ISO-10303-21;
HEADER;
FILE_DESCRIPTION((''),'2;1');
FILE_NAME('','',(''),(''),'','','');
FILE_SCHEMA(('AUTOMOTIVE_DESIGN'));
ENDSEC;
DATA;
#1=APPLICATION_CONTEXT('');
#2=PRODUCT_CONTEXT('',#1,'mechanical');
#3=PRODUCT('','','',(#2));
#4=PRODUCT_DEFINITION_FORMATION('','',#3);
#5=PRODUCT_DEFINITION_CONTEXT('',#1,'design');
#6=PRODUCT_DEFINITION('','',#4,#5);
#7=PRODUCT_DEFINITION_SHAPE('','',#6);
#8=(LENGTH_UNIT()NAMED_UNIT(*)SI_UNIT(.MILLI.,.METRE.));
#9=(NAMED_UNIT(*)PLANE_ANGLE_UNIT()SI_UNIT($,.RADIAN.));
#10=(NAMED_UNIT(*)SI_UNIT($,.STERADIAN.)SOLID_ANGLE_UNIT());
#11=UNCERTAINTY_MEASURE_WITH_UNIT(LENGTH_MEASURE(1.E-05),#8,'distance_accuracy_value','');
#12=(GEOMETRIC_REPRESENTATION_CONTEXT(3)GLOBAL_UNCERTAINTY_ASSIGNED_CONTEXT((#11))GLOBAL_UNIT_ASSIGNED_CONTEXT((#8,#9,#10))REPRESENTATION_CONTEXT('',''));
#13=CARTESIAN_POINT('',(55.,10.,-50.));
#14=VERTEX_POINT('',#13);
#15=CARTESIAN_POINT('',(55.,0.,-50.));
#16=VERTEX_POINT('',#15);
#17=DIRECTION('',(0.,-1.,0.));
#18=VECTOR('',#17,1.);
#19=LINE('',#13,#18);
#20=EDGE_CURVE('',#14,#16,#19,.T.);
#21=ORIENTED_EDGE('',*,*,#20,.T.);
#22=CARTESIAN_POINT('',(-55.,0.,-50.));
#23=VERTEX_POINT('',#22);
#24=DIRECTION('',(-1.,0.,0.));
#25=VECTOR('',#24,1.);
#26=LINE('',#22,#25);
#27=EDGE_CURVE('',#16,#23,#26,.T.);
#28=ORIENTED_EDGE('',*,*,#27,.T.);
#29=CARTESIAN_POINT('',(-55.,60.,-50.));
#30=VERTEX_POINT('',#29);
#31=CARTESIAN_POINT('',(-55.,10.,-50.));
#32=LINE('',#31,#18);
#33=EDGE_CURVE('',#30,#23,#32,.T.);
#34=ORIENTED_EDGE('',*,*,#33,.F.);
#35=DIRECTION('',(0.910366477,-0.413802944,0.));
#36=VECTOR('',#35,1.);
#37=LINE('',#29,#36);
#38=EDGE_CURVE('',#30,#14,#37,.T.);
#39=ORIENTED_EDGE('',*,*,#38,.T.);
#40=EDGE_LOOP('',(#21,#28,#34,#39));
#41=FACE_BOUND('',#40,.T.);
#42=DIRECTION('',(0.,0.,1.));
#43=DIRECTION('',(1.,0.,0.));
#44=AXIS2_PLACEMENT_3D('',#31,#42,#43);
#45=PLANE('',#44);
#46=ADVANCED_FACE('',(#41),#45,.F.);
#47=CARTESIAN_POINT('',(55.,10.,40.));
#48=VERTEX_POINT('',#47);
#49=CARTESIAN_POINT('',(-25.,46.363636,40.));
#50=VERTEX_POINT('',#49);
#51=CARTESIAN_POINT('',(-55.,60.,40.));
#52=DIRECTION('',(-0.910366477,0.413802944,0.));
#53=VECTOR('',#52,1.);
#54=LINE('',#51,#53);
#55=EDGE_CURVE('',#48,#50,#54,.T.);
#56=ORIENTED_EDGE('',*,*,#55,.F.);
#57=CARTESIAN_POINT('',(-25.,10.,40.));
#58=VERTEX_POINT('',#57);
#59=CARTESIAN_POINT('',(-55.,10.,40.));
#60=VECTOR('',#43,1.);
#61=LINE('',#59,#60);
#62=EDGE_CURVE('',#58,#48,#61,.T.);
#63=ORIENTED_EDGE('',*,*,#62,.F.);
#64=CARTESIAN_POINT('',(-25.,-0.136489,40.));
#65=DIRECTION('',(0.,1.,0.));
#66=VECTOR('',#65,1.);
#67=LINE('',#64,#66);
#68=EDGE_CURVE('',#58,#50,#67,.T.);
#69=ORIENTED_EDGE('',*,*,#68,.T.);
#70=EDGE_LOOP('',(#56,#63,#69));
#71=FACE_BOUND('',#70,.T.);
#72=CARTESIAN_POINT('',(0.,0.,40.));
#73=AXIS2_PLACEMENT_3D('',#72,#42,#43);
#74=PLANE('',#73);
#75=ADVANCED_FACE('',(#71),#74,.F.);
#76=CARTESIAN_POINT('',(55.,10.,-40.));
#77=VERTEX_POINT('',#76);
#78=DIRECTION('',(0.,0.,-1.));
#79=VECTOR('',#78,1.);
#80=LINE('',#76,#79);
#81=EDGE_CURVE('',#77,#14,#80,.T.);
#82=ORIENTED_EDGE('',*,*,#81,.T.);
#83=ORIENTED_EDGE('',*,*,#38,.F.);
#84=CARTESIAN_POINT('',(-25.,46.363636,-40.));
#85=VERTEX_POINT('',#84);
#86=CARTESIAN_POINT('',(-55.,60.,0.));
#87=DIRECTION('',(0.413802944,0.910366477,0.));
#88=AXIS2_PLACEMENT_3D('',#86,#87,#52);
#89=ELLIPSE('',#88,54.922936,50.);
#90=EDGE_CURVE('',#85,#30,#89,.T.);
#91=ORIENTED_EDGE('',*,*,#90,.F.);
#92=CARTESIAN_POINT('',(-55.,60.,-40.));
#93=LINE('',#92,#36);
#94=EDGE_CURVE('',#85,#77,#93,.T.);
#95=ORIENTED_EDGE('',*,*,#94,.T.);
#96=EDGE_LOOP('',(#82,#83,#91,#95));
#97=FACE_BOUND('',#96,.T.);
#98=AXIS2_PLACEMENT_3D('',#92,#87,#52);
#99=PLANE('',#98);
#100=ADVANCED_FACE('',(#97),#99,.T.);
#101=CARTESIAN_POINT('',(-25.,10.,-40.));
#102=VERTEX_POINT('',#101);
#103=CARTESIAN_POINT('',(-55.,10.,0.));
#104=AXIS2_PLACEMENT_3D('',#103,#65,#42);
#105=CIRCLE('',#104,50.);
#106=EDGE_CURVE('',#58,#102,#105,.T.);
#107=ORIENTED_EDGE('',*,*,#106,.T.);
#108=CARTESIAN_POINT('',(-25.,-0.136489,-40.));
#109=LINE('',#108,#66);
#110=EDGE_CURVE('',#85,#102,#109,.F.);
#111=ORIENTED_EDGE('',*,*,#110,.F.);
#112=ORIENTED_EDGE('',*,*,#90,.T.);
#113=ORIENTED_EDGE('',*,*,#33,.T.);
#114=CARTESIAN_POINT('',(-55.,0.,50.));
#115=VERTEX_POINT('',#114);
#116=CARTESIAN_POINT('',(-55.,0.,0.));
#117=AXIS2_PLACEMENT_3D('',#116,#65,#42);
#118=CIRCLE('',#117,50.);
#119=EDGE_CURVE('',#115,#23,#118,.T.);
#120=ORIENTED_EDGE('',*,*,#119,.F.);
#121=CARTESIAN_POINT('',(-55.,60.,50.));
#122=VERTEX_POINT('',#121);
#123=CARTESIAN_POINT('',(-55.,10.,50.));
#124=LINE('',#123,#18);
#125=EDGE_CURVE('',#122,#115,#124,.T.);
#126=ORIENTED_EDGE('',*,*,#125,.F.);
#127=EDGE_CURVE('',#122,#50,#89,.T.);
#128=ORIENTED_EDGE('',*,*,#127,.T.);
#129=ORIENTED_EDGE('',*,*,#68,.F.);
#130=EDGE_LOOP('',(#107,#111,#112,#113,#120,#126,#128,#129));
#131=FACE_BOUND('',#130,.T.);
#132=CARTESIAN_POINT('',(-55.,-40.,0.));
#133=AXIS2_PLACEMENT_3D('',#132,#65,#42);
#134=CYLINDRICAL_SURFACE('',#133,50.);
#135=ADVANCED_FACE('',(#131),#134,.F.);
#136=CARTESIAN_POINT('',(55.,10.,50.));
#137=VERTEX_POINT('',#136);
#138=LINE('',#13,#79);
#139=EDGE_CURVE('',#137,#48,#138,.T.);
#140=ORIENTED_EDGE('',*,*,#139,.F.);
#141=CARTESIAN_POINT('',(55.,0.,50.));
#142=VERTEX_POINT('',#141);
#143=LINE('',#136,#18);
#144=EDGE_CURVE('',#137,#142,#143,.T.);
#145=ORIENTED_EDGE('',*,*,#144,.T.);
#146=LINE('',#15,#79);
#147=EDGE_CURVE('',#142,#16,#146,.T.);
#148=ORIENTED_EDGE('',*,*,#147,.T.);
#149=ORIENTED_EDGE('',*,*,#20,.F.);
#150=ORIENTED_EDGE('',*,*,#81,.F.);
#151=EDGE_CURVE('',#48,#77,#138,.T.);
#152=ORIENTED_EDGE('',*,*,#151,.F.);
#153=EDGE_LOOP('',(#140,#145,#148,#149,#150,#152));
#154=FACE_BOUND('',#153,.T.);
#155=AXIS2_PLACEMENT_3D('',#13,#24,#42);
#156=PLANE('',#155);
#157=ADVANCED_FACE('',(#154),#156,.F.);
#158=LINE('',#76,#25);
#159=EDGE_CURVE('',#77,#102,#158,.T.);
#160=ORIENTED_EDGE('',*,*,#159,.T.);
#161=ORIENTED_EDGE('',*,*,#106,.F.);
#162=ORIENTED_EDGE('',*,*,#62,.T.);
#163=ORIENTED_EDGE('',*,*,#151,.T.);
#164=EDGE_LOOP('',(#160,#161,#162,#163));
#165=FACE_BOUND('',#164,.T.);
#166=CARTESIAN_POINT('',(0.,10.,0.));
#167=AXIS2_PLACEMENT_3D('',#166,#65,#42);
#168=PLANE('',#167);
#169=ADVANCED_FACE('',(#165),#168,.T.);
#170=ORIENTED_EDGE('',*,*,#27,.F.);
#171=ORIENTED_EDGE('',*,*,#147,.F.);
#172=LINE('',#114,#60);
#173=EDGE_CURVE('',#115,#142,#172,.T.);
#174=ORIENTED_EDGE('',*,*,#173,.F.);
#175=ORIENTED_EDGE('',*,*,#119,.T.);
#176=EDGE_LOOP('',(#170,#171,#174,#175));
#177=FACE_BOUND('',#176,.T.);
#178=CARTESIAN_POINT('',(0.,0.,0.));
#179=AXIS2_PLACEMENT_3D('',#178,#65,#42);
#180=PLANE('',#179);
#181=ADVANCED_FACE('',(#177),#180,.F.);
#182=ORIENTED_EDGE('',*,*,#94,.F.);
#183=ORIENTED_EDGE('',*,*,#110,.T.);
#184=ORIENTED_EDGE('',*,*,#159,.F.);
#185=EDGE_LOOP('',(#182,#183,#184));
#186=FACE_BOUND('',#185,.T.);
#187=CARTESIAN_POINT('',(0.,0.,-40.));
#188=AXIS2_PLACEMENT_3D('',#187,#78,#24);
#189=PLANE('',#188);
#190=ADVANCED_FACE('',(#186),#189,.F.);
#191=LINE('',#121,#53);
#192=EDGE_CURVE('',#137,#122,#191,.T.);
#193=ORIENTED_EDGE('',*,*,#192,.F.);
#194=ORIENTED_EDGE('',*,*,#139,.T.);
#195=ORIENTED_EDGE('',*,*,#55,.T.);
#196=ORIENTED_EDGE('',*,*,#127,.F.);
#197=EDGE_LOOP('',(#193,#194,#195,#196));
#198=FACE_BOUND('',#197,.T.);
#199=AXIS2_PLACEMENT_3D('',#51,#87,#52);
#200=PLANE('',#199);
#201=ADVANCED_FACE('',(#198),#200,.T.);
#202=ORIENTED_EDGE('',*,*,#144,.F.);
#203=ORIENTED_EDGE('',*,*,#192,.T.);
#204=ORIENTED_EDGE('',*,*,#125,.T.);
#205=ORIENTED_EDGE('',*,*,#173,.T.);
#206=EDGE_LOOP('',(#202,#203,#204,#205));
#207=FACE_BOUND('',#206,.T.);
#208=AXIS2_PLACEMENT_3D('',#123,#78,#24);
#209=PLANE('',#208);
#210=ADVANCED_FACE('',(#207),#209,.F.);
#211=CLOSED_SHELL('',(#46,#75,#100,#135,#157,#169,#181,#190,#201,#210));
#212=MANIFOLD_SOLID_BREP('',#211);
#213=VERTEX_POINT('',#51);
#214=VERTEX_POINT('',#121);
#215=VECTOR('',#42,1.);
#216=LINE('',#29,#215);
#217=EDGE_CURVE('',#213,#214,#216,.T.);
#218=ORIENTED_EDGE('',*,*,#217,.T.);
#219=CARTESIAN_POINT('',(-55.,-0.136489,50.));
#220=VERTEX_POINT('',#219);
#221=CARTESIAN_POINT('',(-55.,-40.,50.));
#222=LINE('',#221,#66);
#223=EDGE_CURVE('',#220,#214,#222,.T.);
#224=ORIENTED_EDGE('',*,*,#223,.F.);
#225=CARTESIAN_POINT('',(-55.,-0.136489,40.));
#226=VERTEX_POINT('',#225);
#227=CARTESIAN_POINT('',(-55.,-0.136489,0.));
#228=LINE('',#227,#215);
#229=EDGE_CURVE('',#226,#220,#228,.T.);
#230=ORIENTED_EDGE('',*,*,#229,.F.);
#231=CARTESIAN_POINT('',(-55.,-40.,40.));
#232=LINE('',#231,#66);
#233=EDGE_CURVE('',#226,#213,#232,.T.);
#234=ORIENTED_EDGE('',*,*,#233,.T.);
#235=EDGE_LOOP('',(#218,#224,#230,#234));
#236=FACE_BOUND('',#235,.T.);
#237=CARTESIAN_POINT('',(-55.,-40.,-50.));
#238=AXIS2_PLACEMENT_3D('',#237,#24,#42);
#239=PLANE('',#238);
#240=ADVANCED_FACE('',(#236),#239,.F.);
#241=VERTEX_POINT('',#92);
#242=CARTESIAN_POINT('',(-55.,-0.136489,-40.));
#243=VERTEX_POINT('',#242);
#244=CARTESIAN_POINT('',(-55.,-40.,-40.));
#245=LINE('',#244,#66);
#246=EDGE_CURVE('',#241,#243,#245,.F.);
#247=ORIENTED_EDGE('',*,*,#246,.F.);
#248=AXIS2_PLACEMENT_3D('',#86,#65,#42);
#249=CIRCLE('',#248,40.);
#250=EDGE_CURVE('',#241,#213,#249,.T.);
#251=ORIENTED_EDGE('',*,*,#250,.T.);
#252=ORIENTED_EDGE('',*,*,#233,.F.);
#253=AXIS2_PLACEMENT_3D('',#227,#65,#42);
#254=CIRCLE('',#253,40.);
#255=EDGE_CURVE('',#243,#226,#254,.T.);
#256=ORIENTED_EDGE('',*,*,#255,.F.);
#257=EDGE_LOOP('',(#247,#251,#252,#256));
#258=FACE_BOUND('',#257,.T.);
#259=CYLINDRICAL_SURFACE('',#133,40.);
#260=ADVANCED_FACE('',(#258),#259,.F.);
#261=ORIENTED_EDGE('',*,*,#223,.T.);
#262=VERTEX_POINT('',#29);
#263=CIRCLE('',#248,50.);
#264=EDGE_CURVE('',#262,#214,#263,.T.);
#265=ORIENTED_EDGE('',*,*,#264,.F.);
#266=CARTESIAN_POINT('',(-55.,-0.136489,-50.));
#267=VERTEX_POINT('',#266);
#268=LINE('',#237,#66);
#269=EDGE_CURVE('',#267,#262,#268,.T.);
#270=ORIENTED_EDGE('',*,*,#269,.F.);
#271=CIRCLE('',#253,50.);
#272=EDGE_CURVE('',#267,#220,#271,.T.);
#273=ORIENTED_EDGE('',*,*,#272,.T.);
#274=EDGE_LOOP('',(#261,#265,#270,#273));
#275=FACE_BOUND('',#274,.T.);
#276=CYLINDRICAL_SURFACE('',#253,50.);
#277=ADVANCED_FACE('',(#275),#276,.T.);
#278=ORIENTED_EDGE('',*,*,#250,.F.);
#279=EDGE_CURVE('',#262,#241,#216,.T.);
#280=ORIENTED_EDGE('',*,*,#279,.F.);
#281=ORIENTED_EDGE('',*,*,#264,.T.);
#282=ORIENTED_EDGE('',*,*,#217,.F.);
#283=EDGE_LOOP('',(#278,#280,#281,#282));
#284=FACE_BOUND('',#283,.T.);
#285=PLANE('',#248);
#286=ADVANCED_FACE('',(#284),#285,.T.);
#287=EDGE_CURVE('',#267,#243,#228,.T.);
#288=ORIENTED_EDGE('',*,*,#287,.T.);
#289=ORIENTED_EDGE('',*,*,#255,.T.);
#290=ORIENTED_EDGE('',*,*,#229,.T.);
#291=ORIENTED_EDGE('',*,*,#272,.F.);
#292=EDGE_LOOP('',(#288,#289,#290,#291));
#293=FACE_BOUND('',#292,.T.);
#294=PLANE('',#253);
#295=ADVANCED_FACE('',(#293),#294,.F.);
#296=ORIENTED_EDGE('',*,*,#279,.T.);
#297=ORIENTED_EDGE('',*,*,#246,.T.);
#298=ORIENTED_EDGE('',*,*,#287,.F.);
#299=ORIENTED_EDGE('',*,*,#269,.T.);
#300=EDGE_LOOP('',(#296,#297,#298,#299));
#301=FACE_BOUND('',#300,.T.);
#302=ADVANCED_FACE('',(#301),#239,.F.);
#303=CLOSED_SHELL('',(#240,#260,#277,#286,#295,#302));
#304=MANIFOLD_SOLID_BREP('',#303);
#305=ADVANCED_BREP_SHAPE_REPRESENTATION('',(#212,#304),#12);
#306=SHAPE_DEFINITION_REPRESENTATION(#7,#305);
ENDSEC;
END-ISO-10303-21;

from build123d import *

# Parameters (mm, degrees)
SKETCH2_W                = 110
SKETCH2_H                = 100
BOSS_EXTRUDE1_DEPTH      = 10
BOSS_EXTRUDE2_DEPTH      = 10
BOSS_EXTRUDE3_DEPTH      = 10
BOSS_EXTRUDE4_DEPTH      = 50
BOSS_EXTRUDE4_DEPTH_BACK = 10.136488762
SKETCH5_R                = 50
CUT_EXTRUDE3_DEPTH       = 100
CUT_EXTRUDE4_DEPTH       = 100


with BuildPart() as part:
    # Sketch2 → Boss-Extrude1 (new body)
    with BuildSketch(Plane(origin=(0, 0, 0), x_dir=(1, 0, 0), z_dir=(0, 1, 0))):
        Rectangle(SKETCH2_W, SKETCH2_H)
    extrude(amount=BOSS_EXTRUDE1_DEPTH)

    # Sketch3 → Boss-Extrude2 (add)
    with BuildSketch(Plane.XY.offset(50)):
        Polygon((-55, 10), (-55, 60), (55, 10), align=None)
    extrude(amount=-BOSS_EXTRUDE2_DEPTH)

    # Sketch4 → Boss-Extrude3 (add)
    with BuildSketch(Plane(origin=(0, 0, -50), x_dir=(-1, 0, 0), z_dir=(0, 0, -1))):
        Polygon((55, 10), (55, 60), (-55, 10), align=None)
    extrude(amount=-BOSS_EXTRUDE3_DEPTH)

    # Sketch5 → Boss-Extrude4 (add, two sides: drawn at the far end of the back side and taken through both)
    with BuildSketch(Plane(origin=(0, 10, 0), x_dir=(1, 0, 0), z_dir=(0, 1, 0)).offset(-BOSS_EXTRUDE4_DEPTH_BACK)):
        with Locations(Location((-55, 0, 0), (0, 0, 270))):
            Circle(SKETCH5_R)
    extrude(amount=BOSS_EXTRUDE4_DEPTH + BOSS_EXTRUDE4_DEPTH_BACK)

    # Sketch6 → Cut-Extrude3 (cut)
    with BuildSketch(Plane(origin=(0, 60, 0), x_dir=(1, 0, 0), z_dir=(0, 1, 0))):
        with BuildLine():
            Line((-55, 50), (-55, -50))
            ThreePointArc((-55, -50), (-5, 0), (-55, 50))
        make_face()
    extrude(amount=-CUT_EXTRUDE3_DEPTH, mode=Mode.SUBTRACT)


with BuildPart() as cut_extrude3_piece_1:
    # of the separate pieces the step leaves, piece 1, a body of its own (cut_extrude3_pieces)
    add(part.part.solids().sort_by_distance((-55, -0.136488762, -50))[0])

    # Sketch7 → Cut-Extrude4 (cut)
    with BuildSketch(Plane(origin=(0, 60, 0), x_dir=(1, 0, 0), z_dir=(0, 1, 0))):
        with BuildLine():
            Line((-55, 40), (-55, -40))
            ThreePointArc((-55, -40), (-95, 0), (-55, 40))
        make_face()
    extrude(amount=-CUT_EXTRUDE4_DEPTH, mode=Mode.SUBTRACT)


with BuildPart() as cut_extrude3_piece_2:
    # of the separate pieces the step leaves, piece 2, a body of its own (cut_extrude3_pieces)
    add(part.part.solids().sort_by_distance((55, 10, -50))[0])


solid = Compound([cut_extrude3_piece_1.part, cut_extrude3_piece_2.part])
